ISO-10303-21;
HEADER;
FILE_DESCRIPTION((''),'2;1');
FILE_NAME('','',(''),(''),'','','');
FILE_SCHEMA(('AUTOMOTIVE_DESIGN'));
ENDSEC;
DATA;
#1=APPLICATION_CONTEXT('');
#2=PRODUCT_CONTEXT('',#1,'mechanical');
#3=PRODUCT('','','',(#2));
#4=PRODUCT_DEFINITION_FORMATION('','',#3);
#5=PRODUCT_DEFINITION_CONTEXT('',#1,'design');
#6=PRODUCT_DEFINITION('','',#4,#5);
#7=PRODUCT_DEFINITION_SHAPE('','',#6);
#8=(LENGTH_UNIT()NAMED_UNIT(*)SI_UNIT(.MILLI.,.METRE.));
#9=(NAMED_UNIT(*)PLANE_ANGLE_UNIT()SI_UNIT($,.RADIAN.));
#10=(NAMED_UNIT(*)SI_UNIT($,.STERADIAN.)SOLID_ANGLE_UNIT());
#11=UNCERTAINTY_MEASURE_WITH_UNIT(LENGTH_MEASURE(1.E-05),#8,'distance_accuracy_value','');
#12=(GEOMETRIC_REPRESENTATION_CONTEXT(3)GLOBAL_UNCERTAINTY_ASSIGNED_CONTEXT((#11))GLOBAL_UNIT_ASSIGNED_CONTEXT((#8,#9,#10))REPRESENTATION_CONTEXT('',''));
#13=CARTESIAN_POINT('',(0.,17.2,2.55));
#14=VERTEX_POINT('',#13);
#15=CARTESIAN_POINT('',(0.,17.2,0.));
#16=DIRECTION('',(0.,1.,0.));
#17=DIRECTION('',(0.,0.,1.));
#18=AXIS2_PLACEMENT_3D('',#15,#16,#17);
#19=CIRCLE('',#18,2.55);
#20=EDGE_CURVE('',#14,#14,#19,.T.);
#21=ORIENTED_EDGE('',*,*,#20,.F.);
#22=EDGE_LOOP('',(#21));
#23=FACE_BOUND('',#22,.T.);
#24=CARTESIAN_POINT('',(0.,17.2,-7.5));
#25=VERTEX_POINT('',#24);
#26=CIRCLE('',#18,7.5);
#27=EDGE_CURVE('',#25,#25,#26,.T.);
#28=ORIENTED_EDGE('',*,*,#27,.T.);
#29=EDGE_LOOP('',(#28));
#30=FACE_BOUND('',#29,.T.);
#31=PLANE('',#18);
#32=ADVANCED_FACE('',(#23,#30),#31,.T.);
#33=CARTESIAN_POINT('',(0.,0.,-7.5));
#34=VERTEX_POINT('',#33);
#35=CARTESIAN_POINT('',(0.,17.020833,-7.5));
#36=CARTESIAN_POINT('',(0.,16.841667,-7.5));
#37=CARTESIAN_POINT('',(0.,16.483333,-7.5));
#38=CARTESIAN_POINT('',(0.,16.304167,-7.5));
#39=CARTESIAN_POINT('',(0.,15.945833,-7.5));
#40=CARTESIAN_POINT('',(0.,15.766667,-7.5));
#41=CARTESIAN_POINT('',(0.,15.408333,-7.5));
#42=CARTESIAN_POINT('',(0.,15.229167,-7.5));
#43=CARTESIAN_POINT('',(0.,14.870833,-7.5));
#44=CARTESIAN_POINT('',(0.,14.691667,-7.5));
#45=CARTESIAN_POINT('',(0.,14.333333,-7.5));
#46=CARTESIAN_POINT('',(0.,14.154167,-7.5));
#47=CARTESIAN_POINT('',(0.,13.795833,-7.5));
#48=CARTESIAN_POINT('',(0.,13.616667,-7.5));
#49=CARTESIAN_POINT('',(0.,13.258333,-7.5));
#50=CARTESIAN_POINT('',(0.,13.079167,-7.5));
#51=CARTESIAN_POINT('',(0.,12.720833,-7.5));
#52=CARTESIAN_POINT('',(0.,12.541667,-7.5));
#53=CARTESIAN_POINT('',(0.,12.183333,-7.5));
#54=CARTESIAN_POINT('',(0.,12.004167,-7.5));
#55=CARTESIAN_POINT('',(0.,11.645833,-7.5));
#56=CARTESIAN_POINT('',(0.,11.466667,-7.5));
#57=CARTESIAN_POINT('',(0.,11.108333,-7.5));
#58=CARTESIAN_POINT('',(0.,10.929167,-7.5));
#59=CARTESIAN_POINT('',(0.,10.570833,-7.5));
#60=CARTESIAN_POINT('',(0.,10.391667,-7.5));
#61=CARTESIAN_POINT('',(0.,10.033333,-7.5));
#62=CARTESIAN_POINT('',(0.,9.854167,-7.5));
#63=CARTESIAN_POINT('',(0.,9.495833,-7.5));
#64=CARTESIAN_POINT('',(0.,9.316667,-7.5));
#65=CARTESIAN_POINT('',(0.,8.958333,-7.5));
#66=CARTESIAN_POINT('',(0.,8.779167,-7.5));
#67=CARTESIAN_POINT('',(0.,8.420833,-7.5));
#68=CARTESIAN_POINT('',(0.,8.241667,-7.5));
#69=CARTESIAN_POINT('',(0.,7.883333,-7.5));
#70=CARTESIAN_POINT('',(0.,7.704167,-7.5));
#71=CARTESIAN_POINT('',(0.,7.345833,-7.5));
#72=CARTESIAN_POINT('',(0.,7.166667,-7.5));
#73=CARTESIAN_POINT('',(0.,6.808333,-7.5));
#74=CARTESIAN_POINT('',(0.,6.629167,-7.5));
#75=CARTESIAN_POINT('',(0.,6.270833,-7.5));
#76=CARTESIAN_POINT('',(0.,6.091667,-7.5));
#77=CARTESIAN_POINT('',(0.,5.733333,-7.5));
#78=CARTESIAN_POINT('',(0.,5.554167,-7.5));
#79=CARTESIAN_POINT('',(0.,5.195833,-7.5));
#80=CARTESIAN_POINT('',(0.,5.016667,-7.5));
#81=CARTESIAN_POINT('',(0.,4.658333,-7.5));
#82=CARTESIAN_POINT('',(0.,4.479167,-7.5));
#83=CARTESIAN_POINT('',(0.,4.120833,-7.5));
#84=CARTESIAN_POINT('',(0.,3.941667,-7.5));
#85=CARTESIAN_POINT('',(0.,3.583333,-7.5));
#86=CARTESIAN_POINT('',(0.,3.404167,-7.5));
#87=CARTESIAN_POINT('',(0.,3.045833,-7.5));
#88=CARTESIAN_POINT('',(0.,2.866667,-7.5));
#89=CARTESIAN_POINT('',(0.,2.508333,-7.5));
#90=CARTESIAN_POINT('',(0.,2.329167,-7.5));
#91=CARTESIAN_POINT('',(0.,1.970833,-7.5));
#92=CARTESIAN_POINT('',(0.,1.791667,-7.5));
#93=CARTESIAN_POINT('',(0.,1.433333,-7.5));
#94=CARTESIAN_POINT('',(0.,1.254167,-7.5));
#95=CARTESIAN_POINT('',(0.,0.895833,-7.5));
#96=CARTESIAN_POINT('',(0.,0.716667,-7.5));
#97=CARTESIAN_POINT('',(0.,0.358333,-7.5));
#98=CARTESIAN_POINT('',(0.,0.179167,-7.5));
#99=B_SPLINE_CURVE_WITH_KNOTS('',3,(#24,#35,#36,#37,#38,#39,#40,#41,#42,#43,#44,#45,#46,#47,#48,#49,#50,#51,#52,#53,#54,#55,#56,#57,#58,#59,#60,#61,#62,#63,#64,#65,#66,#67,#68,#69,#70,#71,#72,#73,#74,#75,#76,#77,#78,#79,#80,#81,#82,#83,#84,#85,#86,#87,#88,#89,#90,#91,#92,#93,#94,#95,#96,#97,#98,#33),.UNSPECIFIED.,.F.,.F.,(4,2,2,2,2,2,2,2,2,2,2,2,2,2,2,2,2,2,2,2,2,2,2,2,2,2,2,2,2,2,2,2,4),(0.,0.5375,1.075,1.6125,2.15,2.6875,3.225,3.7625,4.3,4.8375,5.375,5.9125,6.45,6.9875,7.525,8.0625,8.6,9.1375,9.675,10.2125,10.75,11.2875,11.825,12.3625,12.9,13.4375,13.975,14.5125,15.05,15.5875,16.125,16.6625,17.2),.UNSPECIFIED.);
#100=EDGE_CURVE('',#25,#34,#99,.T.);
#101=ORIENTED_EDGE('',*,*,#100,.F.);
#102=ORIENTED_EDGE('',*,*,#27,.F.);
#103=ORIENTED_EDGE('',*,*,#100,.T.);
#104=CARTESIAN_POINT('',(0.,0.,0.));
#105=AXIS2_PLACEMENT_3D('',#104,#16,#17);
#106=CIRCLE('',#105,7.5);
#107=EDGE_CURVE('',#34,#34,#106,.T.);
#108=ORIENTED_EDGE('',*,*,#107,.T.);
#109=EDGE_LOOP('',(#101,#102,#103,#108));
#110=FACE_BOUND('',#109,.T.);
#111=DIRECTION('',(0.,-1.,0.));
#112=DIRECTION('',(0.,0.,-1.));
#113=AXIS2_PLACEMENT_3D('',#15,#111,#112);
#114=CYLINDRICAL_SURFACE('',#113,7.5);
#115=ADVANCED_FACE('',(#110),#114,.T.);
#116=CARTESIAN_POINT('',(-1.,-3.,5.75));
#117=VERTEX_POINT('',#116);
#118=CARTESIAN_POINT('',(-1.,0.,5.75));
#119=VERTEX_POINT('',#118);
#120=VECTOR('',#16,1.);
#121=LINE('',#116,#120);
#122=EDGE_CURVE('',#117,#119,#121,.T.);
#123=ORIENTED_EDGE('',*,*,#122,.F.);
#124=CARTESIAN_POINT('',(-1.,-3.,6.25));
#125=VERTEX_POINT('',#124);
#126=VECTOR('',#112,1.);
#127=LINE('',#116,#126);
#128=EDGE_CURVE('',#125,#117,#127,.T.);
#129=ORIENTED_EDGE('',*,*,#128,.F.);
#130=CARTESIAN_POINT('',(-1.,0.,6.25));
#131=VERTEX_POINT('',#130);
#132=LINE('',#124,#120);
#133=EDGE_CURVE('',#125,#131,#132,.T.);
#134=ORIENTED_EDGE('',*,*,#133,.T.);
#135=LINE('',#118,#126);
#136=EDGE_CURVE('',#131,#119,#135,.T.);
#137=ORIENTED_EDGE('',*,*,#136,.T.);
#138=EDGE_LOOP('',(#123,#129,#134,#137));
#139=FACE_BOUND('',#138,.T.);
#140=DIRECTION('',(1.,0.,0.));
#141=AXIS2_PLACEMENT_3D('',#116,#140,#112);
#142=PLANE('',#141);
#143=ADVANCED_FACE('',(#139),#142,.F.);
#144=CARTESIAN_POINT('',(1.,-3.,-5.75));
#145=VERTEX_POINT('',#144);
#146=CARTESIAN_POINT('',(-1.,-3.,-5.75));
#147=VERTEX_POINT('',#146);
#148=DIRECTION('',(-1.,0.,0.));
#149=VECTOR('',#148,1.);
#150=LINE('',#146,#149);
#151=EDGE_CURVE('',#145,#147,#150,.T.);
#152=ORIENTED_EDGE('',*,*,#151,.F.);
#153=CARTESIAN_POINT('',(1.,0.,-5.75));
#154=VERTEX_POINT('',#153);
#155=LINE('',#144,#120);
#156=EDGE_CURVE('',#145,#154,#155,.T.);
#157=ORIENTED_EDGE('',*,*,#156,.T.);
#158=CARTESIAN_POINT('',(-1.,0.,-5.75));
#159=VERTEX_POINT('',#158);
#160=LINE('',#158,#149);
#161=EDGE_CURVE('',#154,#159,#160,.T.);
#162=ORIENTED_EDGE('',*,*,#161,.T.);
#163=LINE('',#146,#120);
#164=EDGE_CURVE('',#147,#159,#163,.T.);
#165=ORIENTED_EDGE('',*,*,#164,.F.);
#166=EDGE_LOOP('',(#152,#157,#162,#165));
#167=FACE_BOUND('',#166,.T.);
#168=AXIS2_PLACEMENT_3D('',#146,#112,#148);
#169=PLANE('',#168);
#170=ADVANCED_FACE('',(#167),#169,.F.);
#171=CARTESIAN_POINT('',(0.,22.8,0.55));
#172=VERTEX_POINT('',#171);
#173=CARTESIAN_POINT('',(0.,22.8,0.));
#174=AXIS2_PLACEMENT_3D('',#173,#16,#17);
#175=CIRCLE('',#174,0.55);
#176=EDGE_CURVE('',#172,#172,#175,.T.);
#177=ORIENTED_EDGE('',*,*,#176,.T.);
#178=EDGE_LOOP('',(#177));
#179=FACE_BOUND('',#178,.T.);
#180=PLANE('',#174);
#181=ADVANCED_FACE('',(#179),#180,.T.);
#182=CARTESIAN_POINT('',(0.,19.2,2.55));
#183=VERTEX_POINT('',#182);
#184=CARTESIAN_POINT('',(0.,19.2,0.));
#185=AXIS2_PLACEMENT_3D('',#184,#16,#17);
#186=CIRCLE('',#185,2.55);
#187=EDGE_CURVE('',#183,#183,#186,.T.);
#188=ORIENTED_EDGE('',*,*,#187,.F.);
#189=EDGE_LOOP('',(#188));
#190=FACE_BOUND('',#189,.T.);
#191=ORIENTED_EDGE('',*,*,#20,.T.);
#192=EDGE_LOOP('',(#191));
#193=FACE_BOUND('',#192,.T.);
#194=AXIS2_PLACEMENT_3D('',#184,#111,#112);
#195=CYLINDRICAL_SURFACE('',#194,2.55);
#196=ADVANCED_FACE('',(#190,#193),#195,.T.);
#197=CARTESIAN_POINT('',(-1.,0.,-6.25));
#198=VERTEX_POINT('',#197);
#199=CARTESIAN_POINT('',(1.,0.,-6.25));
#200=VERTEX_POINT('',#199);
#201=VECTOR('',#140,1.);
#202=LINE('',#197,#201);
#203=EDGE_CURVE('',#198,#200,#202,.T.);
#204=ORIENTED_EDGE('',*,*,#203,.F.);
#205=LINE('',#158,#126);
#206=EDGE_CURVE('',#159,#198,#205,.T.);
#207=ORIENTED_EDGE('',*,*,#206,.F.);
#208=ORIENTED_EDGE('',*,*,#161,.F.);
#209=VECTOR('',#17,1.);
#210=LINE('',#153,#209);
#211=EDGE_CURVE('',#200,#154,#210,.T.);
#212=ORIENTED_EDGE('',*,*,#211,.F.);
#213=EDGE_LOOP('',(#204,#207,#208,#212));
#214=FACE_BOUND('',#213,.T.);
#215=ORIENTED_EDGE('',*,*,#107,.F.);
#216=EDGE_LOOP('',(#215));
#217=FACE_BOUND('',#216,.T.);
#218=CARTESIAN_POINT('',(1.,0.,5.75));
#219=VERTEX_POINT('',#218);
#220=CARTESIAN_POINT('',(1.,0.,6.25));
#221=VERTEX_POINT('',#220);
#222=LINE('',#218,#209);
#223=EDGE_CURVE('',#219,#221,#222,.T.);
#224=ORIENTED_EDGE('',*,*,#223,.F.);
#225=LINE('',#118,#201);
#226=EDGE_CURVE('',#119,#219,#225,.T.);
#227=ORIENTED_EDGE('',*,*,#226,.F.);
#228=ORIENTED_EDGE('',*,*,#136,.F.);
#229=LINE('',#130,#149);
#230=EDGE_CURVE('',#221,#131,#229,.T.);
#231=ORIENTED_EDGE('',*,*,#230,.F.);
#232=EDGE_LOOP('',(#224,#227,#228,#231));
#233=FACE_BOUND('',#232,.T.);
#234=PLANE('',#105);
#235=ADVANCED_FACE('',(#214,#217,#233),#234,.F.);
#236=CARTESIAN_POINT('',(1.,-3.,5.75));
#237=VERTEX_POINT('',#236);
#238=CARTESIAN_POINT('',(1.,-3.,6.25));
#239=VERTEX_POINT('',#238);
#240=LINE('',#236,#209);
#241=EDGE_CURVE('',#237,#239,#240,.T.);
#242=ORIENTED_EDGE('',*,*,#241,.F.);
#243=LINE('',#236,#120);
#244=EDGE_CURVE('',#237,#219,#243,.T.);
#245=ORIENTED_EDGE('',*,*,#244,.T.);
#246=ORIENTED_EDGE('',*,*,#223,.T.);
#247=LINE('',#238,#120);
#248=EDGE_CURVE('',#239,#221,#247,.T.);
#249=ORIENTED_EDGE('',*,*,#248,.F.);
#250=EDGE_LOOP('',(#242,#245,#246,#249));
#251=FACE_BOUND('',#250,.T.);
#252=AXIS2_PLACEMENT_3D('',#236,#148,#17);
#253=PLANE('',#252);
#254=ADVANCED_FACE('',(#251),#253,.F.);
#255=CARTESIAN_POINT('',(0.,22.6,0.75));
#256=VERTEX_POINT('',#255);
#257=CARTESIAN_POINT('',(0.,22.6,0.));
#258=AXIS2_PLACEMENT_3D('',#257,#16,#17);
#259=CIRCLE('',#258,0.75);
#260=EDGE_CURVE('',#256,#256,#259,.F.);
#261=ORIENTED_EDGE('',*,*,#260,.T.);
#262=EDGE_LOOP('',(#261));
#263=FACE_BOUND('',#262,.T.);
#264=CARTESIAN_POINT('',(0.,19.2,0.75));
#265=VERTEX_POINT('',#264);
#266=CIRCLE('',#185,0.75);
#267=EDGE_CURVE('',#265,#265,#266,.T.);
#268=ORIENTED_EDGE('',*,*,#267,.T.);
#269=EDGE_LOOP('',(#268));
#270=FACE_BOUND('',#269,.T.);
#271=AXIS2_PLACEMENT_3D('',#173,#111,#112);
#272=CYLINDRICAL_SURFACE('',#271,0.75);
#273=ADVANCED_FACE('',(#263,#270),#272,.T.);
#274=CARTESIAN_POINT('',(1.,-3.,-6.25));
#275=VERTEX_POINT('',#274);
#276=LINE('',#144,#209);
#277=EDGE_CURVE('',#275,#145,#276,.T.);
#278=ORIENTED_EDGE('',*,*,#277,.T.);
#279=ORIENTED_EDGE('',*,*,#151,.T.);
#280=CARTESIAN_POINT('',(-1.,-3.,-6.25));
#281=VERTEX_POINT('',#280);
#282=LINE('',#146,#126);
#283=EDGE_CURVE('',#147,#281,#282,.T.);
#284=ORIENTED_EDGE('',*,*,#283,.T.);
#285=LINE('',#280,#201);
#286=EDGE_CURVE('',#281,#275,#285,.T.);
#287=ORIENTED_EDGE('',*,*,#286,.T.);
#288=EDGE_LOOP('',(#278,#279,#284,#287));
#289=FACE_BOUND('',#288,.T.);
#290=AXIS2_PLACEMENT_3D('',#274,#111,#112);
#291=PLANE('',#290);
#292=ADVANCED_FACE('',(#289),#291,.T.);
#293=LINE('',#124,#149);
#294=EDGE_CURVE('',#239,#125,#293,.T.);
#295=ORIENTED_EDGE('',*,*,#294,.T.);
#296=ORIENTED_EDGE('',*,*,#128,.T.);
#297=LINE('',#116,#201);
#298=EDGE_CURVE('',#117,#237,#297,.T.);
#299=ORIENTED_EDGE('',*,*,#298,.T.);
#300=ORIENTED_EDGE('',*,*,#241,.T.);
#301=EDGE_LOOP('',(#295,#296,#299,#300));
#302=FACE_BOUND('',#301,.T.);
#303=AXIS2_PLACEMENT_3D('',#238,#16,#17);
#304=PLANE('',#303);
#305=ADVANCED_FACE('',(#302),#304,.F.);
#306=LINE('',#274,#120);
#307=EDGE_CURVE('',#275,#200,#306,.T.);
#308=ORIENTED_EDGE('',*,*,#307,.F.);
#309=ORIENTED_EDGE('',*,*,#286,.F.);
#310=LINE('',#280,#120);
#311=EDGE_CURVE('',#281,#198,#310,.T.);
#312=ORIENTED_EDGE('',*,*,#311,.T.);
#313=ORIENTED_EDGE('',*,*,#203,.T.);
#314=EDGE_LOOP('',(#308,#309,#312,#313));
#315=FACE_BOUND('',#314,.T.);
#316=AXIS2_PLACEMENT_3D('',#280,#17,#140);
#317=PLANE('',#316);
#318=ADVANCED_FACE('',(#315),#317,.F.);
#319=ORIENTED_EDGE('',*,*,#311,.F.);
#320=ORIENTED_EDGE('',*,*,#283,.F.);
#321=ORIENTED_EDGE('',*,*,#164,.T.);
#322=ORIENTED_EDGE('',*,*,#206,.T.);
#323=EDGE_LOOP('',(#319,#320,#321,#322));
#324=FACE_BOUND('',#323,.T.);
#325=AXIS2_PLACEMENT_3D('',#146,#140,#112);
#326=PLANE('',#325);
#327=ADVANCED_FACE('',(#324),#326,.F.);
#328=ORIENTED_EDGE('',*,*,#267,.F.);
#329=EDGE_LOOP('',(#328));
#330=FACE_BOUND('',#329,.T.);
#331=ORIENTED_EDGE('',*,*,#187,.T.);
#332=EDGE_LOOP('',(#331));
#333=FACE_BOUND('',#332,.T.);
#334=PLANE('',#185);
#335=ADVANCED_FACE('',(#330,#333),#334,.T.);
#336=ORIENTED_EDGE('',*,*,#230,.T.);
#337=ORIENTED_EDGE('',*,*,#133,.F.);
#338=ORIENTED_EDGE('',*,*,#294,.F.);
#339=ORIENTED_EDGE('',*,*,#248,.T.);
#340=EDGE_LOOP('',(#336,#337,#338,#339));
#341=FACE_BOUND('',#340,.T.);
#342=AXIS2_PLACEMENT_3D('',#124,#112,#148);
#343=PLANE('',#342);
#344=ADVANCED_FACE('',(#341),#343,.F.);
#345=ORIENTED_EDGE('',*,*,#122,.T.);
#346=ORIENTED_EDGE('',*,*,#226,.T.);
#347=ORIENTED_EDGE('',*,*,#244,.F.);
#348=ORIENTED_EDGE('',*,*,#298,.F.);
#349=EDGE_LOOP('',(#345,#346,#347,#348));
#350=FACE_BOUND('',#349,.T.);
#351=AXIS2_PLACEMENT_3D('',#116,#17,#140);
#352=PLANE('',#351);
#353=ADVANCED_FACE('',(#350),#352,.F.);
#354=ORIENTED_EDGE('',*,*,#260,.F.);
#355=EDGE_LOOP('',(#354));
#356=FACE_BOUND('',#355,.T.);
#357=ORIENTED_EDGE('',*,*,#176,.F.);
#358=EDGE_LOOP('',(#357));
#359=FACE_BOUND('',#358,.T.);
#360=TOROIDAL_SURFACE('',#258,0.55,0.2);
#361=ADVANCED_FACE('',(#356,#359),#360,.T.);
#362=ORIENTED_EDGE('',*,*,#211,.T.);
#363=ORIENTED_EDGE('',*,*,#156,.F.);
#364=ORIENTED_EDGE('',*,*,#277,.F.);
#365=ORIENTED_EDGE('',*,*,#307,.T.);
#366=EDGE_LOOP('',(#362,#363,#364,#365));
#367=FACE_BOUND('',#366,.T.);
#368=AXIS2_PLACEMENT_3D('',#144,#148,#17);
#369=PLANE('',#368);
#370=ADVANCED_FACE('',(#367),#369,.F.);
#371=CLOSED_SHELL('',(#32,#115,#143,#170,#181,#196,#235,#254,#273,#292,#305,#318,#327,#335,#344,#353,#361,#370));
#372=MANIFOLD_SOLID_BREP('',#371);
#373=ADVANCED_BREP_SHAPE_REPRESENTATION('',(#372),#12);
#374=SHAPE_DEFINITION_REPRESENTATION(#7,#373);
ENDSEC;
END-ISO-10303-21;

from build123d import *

# Parameters (mm, degrees)
SKETCH_1_R      = 7.5
EXTRUDE_1_DEPTH = 17.2
SKETCH_2_R      = 2.55
EXTRUDE_2_DEPTH = 2
SKETCH_3_R      = 0.75
EXTRUDE_3_DEPTH = 3.6
SKETCH_4_W      = 2
SKETCH_4_H      = 0.5
EXTRUDE_4_DEPTH = 3
FILLET_2_R      = 0.2


with BuildPart() as part:
    # 草圖1 → 伸長1 (new body)
    with BuildSketch(Plane(origin=(0, 0, 0), x_dir=(1, 0, 0), z_dir=(0, 1, 0))):
        with Locations(Location((0, 0, 0), (0, 0, 90))):
            Circle(SKETCH_1_R)
    extrude(amount=EXTRUDE_1_DEPTH)

    # 草圖2 → 伸長2 (add)
    with BuildSketch(Plane(origin=(0, 17.2, 0), x_dir=(1, 0, 0), z_dir=(0, 1, 0))):
        with Locations(Location((0, 0, 0), (0, 0, 270))):
            Circle(SKETCH_2_R)
    extrude(amount=EXTRUDE_2_DEPTH)

    # 草圖3 → 伸長3 (add)
    with BuildSketch(Plane(origin=(0, 19.2, 0), x_dir=(-1, 0, 0), z_dir=(0, 1, 0))):
        with Locations(Location((0, 0, 0), (0, 0, 90))):
            Circle(SKETCH_3_R)
    extrude(amount=EXTRUDE_3_DEPTH)

    # 草圖4 → 伸長4 (add)
    with BuildSketch(Plane.XZ):
        with Locations((0, 6)):
            Rectangle(SKETCH_4_W, SKETCH_4_H)
        with Locations((0, -6)):
            Rectangle(SKETCH_4_W, SKETCH_4_H)
    extrude(amount=EXTRUDE_4_DEPTH)

    # 圓角2
    fillet_2_edges = [part.edges().sort_by_distance(p)[0] for p in [
        (0, 22.8, -0.75),
    ]]
    fillet(fillet_2_edges, radius=FILLET_2_R)


solid = part.part
